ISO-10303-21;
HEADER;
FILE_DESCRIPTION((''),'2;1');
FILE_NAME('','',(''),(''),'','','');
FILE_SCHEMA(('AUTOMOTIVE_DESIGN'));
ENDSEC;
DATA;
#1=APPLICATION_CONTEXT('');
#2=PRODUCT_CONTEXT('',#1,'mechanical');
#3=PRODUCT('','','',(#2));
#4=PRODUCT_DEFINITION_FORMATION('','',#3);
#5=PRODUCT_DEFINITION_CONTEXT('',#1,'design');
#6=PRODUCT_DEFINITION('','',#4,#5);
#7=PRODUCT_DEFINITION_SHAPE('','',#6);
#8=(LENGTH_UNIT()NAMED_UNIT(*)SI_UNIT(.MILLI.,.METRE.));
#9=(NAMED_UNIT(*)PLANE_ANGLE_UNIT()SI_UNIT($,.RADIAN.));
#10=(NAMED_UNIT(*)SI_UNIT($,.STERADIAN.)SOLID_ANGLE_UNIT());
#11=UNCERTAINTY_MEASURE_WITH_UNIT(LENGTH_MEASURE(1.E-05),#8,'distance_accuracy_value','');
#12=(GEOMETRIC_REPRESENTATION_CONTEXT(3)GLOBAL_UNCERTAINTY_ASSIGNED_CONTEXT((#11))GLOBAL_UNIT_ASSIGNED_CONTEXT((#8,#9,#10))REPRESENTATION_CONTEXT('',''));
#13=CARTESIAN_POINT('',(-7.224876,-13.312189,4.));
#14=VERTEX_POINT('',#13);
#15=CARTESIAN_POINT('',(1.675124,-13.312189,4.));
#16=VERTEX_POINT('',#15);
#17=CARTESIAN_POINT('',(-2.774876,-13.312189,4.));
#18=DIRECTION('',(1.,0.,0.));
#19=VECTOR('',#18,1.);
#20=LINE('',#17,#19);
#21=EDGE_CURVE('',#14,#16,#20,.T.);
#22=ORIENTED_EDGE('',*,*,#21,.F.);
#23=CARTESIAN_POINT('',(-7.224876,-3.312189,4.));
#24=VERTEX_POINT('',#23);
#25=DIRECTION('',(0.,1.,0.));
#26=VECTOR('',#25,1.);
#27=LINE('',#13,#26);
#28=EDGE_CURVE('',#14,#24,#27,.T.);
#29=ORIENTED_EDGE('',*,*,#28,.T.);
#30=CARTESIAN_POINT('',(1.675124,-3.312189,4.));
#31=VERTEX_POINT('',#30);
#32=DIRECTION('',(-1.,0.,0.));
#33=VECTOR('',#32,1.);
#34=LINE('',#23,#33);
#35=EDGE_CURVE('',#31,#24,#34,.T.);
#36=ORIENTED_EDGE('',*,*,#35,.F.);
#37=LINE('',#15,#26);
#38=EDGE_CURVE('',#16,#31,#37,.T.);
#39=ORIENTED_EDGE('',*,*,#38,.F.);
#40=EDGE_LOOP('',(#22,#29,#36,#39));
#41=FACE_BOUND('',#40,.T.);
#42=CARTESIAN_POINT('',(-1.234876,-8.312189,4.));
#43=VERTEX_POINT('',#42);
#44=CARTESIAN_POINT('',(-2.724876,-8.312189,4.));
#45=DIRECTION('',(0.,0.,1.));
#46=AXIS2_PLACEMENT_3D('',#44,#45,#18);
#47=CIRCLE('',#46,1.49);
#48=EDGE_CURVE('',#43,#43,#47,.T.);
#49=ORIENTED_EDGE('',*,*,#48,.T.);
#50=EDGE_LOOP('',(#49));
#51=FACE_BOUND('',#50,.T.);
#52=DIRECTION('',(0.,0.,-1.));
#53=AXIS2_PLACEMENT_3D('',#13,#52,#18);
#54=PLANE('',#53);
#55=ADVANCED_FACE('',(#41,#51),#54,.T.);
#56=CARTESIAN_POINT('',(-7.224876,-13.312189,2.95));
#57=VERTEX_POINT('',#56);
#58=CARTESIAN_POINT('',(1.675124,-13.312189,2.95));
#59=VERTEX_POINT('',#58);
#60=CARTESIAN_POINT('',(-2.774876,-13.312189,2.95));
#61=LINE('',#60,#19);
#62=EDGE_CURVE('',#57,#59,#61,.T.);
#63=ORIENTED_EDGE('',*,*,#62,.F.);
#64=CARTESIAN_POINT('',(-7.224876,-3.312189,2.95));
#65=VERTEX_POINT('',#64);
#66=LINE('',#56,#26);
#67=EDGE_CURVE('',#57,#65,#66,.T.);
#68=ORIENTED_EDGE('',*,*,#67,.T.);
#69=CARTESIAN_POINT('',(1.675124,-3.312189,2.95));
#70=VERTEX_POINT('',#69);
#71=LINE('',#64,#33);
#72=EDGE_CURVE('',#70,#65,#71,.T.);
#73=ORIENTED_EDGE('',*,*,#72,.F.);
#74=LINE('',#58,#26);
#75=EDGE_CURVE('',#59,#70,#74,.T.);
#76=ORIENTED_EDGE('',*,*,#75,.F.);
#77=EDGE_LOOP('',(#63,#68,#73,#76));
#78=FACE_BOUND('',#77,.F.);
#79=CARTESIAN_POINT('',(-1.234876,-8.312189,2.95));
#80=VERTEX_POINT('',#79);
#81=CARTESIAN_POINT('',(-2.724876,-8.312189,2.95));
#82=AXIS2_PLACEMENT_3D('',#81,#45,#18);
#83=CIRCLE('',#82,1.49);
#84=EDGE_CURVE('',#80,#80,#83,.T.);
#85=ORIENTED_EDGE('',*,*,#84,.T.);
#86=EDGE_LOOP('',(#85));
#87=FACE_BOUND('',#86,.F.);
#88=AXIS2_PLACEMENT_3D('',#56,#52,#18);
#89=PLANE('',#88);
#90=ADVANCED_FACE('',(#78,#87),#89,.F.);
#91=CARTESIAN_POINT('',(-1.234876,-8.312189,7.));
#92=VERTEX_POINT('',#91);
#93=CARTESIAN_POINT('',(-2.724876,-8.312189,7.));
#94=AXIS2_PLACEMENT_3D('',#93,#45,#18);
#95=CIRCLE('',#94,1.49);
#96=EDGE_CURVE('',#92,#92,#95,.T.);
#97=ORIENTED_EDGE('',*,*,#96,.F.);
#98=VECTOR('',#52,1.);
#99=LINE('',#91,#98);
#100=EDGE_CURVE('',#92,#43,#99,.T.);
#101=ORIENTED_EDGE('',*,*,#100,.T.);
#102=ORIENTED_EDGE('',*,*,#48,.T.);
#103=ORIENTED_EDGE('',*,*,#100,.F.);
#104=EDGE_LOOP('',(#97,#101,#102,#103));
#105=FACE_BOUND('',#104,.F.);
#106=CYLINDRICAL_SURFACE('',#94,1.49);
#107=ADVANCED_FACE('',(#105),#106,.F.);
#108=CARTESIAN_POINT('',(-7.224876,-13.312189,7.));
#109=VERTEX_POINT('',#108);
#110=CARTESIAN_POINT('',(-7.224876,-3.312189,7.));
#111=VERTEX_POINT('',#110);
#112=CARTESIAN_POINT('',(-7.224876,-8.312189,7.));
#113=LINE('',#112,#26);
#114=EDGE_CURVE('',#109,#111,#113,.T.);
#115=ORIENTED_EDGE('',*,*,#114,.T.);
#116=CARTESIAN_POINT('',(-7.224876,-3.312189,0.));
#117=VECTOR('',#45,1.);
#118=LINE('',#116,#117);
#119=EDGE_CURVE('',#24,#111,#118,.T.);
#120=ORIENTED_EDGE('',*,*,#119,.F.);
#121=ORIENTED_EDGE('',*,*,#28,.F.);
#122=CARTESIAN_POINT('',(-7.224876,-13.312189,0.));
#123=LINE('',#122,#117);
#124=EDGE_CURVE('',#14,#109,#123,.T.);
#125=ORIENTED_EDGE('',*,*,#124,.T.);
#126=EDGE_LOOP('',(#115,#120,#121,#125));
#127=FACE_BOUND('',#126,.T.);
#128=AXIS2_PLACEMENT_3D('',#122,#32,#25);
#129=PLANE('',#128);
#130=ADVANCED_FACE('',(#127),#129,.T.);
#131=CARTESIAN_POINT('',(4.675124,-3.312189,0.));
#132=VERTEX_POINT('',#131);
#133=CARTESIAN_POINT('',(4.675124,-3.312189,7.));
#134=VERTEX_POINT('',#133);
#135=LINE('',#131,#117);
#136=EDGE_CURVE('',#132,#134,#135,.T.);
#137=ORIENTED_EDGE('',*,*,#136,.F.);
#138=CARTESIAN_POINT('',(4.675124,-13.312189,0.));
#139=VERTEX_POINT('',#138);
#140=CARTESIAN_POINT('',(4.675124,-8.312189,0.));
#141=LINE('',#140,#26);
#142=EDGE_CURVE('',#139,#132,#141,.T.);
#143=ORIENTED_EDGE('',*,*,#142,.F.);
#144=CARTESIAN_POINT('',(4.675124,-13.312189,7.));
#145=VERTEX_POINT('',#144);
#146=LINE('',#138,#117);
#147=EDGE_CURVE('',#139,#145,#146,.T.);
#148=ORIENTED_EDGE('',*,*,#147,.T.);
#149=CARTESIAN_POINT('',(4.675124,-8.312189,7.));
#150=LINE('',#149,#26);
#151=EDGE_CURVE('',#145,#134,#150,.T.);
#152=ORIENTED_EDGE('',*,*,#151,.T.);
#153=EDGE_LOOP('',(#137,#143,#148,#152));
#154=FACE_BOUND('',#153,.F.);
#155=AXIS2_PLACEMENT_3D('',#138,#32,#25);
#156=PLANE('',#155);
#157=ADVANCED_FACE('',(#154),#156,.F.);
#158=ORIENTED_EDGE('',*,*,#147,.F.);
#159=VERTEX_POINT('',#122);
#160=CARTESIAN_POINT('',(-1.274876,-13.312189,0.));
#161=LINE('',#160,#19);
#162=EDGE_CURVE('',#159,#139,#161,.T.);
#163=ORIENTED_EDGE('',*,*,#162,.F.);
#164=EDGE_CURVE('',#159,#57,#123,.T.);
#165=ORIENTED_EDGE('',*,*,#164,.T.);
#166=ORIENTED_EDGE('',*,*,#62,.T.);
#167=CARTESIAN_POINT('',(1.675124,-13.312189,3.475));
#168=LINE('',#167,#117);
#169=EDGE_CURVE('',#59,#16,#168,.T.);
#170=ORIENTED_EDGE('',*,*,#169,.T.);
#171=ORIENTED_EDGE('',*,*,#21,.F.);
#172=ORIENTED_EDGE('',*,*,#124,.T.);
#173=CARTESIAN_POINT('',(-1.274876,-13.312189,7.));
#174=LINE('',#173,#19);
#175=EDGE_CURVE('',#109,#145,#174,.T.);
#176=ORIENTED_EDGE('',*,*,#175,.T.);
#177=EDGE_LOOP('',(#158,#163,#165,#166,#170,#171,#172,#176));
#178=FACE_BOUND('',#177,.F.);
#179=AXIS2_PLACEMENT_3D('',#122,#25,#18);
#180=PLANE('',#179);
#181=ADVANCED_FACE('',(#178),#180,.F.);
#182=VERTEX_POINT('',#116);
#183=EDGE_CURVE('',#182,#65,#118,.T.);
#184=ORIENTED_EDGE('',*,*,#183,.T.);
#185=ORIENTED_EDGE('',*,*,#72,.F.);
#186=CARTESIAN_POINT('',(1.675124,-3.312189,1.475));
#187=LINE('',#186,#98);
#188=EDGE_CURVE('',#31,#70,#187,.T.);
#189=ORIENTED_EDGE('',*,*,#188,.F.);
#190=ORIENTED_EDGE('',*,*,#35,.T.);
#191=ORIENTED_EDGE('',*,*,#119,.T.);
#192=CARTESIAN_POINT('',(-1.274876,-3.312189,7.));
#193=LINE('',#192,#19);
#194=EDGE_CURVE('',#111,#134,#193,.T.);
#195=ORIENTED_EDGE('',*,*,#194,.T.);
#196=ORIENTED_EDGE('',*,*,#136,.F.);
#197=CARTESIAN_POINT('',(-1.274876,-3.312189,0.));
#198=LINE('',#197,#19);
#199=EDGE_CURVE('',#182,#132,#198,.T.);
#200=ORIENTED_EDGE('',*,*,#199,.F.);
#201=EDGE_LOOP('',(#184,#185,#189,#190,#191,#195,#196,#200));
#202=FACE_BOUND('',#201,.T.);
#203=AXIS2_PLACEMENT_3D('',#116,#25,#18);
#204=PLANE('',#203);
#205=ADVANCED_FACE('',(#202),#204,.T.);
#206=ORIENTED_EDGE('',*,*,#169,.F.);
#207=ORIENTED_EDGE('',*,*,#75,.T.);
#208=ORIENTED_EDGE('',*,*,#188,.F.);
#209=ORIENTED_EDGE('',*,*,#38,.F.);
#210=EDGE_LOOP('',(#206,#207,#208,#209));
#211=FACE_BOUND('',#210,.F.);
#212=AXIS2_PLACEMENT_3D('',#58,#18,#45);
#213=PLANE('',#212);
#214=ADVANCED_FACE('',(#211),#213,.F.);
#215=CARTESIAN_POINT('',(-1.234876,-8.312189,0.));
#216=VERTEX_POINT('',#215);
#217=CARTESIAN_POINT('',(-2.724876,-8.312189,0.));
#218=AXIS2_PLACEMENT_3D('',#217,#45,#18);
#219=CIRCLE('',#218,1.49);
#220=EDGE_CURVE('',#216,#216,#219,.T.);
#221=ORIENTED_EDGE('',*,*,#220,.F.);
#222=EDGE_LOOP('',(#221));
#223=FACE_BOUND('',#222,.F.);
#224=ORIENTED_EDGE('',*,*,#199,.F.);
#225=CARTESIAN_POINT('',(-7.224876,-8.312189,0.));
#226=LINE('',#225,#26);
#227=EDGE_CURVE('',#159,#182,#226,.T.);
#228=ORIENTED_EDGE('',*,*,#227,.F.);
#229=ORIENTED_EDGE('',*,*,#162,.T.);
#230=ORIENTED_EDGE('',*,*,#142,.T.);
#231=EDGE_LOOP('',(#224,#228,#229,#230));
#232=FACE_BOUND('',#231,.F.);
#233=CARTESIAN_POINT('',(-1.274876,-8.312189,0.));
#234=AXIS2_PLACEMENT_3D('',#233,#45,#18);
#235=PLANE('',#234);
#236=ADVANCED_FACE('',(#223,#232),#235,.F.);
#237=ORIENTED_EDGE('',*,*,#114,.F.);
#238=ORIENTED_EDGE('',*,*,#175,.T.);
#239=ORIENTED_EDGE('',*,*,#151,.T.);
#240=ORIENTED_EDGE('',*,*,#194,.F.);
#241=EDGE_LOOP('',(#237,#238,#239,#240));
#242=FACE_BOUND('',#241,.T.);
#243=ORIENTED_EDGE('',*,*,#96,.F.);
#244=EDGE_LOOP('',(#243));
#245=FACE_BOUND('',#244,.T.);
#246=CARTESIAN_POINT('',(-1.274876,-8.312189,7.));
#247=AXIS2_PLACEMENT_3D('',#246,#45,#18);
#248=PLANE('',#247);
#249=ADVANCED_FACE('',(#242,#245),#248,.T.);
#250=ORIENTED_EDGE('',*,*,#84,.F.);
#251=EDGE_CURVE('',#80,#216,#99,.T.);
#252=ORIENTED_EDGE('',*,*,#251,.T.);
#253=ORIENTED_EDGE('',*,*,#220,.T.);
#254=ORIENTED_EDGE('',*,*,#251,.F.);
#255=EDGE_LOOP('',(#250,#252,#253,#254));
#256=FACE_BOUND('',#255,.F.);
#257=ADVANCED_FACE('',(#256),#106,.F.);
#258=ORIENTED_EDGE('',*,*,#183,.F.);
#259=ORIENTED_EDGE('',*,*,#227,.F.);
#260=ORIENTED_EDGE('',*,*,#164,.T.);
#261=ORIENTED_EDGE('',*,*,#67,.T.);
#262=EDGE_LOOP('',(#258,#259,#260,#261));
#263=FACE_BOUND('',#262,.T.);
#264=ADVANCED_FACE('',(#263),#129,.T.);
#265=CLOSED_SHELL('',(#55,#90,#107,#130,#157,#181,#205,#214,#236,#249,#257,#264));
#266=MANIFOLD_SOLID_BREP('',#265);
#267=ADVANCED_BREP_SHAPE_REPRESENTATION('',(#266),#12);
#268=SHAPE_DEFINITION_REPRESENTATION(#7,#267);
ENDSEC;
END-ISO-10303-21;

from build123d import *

# Parameters (mm, degrees)
SKETCH004_W     = 11.9
SKETCH004_H     = 10
PAD002_DEPTH    = 7
SKETCH005_R     = 1.49
POCKET002_DEPTH = 7.001
SKETCH006_W     = 8.9
SKETCH006_H     = 1.05
POCKET003_DEPTH = 10.001


with BuildPart() as part:
    # Sketch004 → Pad002 (new body)
    with BuildSketch(Plane.XY):
        with Locations((-1.274876, -8.312189)):
            Rectangle(SKETCH004_W, SKETCH004_H)
    extrude(amount=PAD002_DEPTH)

    # Sketch005 → Pocket002 (cut, through all)
    with BuildSketch(Plane.XY.offset(7)):
        with Locations((-2.724876, -8.312189)):
            Circle(SKETCH005_R)
    extrude(amount=-POCKET002_DEPTH, mode=Mode.SUBTRACT)

    # Sketch006 → Pocket003 (cut, through all)
    with BuildSketch(Plane.XZ.offset(13.312189)):
        with Locations((-2.774876, 3.475)):
            Rectangle(SKETCH006_W, SKETCH006_H)
    extrude(amount=-POCKET003_DEPTH, mode=Mode.SUBTRACT)


solid = part.part
